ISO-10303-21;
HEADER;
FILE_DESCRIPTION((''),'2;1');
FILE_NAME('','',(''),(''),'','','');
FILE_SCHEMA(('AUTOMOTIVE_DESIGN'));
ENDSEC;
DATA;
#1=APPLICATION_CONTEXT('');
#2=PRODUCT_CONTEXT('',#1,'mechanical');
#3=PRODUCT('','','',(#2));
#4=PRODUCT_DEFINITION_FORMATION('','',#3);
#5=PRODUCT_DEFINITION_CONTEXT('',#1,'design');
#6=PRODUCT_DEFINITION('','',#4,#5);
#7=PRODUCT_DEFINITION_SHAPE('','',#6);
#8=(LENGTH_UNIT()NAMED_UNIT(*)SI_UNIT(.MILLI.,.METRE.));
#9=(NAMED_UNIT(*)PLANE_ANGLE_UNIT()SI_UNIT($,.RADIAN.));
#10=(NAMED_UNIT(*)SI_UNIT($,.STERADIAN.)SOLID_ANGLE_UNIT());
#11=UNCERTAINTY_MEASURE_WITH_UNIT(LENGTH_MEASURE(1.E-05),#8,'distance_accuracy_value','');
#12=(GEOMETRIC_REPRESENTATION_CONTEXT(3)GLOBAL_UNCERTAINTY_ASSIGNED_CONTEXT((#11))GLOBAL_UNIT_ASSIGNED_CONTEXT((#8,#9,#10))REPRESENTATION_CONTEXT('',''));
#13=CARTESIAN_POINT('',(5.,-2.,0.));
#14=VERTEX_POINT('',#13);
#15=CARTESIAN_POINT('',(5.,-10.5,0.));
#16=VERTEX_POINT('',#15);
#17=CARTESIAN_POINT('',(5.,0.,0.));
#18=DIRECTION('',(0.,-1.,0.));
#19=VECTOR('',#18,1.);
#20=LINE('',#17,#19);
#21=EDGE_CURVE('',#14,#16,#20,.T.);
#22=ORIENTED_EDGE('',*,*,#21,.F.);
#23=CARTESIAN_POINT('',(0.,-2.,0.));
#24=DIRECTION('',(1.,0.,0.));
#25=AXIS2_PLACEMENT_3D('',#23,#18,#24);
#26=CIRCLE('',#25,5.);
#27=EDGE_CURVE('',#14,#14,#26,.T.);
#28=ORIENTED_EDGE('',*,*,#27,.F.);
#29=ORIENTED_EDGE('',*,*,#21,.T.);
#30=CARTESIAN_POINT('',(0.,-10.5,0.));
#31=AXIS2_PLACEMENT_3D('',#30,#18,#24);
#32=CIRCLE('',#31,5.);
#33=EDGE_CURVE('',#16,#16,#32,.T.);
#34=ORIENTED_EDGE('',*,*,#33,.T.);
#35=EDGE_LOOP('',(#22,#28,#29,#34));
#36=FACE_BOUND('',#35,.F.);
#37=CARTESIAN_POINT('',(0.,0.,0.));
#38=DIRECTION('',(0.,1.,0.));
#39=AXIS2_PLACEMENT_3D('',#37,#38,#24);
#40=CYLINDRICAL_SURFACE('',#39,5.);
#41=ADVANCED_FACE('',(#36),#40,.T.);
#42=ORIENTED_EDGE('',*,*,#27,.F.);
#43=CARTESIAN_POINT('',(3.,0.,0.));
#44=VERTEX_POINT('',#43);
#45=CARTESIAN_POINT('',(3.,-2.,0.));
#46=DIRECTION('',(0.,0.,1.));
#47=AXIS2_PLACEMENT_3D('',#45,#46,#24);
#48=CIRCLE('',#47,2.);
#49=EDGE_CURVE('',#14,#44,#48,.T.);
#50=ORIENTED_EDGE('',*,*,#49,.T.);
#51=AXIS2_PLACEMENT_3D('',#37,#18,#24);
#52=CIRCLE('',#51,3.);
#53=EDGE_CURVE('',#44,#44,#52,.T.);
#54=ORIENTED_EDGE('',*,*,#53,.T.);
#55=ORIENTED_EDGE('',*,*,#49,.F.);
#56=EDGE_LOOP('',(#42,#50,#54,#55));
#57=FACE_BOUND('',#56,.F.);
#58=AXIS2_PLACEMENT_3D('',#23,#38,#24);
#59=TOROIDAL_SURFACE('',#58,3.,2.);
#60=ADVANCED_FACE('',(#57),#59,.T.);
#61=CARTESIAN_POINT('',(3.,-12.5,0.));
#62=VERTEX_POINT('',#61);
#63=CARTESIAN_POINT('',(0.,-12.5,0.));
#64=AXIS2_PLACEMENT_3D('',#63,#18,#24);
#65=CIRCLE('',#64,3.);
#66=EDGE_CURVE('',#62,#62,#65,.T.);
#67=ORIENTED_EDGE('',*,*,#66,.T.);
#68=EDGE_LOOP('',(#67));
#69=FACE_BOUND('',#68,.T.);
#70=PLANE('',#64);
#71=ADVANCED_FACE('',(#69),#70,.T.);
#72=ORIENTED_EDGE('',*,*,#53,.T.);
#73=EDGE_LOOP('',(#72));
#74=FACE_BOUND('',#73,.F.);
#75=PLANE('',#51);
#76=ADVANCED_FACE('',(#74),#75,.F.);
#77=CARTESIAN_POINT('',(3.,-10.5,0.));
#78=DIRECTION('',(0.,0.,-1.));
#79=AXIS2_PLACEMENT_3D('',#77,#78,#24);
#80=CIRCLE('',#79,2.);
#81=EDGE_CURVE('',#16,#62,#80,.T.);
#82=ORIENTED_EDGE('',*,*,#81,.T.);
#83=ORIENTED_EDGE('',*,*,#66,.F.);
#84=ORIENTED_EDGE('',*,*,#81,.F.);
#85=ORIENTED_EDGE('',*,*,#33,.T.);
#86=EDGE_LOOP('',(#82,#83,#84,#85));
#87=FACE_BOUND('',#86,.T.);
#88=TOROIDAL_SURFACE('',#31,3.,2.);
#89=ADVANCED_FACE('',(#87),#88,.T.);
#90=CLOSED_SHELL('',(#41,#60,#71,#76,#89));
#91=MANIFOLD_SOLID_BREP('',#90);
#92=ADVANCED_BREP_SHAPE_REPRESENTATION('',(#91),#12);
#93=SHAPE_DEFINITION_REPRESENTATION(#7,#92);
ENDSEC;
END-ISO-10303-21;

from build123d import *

# Parameters (mm, degrees)
F0_R     = 5
F1_DEPTH = 12.5
F2_R     = 2


with BuildPart() as f1:
    # F0 (on Front) → F1 (new body)
    with BuildSketch(Plane.XZ):
        Circle(F0_R)
    extrude(amount=F1_DEPTH)

    # F2
    f2_edges = [f1.edges().sort_by_distance(p)[0] for p in [
        (-5, -12.5, 0),
        (5, -6.25, 0),
        (-5, 0, 0),
    ]]
    fillet(f2_edges, radius=F2_R)


solid = f1.part
